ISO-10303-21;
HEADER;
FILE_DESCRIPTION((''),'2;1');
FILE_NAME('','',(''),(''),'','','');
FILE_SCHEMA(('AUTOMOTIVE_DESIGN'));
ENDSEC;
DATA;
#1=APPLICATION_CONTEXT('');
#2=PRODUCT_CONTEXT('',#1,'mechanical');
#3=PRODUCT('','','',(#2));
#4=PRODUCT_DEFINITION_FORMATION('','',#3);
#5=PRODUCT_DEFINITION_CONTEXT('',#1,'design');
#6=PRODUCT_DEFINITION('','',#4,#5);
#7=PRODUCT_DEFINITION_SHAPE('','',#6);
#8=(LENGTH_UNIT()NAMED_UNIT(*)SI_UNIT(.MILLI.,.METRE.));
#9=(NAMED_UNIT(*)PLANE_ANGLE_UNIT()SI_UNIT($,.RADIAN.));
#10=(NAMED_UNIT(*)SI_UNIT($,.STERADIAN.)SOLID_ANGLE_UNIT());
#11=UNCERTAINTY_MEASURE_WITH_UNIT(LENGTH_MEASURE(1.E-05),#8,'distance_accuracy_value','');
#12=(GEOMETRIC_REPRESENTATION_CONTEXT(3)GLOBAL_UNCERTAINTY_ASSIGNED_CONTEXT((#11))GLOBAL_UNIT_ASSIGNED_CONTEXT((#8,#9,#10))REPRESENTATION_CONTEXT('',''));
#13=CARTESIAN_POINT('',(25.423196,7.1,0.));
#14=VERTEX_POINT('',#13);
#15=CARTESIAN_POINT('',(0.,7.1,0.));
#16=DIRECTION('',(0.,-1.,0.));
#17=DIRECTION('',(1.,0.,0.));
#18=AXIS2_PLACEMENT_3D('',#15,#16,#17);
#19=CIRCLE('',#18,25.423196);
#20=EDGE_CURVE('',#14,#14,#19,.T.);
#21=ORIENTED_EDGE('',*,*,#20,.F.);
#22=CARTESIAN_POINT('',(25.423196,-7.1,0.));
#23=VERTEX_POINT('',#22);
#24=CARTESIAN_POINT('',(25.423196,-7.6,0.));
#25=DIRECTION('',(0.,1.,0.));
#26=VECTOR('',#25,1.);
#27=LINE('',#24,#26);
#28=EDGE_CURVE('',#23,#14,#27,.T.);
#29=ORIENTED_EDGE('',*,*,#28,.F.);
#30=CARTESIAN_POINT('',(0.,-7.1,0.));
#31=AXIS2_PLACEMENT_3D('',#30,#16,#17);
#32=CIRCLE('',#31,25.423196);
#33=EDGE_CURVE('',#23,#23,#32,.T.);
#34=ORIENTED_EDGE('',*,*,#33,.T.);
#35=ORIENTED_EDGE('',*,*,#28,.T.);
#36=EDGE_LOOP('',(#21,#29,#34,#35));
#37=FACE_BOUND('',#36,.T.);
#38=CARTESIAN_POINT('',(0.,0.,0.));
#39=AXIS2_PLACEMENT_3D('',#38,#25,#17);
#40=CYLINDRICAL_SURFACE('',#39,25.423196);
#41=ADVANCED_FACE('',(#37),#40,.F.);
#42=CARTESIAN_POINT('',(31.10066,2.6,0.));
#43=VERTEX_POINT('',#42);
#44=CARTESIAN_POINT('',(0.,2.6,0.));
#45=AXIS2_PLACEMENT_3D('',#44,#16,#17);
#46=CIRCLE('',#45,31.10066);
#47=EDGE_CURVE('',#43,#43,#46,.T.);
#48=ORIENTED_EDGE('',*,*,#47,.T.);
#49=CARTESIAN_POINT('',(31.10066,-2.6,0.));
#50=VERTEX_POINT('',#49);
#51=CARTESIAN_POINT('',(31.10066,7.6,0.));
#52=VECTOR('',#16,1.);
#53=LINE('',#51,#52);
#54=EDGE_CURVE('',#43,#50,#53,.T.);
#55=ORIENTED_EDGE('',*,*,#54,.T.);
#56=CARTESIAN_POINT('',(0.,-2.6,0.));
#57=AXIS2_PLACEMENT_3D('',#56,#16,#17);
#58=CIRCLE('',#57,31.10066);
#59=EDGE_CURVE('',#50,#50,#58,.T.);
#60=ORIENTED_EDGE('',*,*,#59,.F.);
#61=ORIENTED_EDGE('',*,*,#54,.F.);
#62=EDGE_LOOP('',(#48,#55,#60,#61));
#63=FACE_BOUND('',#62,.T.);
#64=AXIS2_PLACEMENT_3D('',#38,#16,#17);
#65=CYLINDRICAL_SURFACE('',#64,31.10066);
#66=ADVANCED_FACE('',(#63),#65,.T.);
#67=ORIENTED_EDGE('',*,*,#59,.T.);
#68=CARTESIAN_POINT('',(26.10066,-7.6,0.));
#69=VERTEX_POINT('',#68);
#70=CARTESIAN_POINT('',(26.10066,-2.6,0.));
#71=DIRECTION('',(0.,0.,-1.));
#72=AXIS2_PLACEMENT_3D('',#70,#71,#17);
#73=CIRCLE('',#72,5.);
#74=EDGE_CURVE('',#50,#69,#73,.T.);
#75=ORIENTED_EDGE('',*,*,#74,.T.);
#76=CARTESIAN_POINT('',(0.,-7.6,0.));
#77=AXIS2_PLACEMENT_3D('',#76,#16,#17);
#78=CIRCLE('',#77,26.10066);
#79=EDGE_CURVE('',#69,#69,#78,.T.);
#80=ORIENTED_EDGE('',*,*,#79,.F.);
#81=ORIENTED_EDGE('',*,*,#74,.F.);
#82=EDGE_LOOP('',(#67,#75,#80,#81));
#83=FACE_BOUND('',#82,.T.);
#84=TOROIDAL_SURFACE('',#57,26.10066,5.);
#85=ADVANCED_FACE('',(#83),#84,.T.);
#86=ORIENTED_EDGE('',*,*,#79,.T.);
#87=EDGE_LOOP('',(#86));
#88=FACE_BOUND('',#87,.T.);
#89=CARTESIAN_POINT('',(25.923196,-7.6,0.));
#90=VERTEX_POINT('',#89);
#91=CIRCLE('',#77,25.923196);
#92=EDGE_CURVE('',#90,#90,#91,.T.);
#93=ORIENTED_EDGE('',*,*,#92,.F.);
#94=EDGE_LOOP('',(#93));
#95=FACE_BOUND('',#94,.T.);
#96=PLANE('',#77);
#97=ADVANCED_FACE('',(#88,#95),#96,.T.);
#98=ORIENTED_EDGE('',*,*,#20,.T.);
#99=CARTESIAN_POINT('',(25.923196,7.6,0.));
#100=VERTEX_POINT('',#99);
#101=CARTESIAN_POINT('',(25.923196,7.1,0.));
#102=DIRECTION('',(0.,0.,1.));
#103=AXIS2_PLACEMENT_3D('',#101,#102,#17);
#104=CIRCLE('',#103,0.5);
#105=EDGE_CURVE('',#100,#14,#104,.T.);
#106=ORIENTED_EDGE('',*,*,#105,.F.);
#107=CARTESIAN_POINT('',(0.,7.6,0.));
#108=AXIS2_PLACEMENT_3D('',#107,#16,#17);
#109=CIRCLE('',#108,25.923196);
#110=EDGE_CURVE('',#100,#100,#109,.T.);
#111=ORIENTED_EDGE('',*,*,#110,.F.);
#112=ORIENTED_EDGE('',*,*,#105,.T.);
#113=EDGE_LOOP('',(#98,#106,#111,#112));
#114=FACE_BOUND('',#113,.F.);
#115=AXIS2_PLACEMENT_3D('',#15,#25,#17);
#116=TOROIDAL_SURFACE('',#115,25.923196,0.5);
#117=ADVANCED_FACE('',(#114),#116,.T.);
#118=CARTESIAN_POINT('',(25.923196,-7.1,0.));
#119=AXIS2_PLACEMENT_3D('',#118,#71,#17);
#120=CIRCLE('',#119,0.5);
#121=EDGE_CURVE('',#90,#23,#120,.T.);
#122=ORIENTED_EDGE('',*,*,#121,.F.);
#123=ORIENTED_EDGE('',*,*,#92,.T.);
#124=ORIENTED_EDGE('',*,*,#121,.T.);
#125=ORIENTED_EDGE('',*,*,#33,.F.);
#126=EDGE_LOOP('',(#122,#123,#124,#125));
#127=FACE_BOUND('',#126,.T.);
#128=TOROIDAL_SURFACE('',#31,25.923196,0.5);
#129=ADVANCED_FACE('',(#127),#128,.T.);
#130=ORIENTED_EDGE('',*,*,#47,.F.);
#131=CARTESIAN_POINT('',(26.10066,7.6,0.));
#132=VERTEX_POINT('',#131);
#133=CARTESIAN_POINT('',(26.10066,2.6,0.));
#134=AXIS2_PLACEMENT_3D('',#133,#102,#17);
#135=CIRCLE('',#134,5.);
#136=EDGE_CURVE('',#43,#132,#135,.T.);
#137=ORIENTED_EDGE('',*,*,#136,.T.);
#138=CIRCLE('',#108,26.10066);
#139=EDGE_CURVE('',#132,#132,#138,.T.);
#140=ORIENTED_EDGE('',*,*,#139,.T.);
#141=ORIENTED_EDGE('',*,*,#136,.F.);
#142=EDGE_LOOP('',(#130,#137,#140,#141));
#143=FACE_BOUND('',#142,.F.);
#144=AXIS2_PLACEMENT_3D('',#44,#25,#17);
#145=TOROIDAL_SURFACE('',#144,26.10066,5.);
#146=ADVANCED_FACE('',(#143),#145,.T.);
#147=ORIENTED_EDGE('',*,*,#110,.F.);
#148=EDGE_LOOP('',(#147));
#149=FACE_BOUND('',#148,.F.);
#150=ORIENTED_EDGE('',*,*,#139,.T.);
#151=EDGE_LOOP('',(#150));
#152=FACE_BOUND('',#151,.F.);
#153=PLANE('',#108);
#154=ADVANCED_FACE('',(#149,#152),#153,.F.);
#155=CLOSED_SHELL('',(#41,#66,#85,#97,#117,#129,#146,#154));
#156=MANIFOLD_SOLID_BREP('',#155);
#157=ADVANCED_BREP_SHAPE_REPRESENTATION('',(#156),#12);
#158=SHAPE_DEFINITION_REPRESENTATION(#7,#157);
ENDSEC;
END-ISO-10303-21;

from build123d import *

# Parameters (mm, degrees)
F0_R     = 31.1006600455
F0_R_2   = 25.4231956913
F1_DEPTH = 7.6
F2_R     = 5
F3_R     = 0.5


with BuildPart() as f1:
    # F0 (on Front) → F1 (new body, symmetric)
    with BuildSketch(Plane.XZ):
        Circle(F0_R)
        Circle(F0_R_2, mode=Mode.SUBTRACT)
    extrude(amount=F1_DEPTH, both=True)

    # F2
    f2_edges = [f1.edges().sort_by_distance(p)[0] for p in [
        (-31.10066, 7.6, 0),
        (31.10066, 0, 0),
        (-31.10066, -7.6, 0),
    ]]
    fillet(f2_edges, radius=F2_R)

    # F3
    f3_edges = [f1.edges().sort_by_distance(p)[0] for p in [
        (-25.423196, -7.6, 0),
        (25.423196, 0, 0),
        (-25.423196, 7.6, 0),
    ]]
    fillet(f3_edges, radius=F3_R)


solid = f1.part
